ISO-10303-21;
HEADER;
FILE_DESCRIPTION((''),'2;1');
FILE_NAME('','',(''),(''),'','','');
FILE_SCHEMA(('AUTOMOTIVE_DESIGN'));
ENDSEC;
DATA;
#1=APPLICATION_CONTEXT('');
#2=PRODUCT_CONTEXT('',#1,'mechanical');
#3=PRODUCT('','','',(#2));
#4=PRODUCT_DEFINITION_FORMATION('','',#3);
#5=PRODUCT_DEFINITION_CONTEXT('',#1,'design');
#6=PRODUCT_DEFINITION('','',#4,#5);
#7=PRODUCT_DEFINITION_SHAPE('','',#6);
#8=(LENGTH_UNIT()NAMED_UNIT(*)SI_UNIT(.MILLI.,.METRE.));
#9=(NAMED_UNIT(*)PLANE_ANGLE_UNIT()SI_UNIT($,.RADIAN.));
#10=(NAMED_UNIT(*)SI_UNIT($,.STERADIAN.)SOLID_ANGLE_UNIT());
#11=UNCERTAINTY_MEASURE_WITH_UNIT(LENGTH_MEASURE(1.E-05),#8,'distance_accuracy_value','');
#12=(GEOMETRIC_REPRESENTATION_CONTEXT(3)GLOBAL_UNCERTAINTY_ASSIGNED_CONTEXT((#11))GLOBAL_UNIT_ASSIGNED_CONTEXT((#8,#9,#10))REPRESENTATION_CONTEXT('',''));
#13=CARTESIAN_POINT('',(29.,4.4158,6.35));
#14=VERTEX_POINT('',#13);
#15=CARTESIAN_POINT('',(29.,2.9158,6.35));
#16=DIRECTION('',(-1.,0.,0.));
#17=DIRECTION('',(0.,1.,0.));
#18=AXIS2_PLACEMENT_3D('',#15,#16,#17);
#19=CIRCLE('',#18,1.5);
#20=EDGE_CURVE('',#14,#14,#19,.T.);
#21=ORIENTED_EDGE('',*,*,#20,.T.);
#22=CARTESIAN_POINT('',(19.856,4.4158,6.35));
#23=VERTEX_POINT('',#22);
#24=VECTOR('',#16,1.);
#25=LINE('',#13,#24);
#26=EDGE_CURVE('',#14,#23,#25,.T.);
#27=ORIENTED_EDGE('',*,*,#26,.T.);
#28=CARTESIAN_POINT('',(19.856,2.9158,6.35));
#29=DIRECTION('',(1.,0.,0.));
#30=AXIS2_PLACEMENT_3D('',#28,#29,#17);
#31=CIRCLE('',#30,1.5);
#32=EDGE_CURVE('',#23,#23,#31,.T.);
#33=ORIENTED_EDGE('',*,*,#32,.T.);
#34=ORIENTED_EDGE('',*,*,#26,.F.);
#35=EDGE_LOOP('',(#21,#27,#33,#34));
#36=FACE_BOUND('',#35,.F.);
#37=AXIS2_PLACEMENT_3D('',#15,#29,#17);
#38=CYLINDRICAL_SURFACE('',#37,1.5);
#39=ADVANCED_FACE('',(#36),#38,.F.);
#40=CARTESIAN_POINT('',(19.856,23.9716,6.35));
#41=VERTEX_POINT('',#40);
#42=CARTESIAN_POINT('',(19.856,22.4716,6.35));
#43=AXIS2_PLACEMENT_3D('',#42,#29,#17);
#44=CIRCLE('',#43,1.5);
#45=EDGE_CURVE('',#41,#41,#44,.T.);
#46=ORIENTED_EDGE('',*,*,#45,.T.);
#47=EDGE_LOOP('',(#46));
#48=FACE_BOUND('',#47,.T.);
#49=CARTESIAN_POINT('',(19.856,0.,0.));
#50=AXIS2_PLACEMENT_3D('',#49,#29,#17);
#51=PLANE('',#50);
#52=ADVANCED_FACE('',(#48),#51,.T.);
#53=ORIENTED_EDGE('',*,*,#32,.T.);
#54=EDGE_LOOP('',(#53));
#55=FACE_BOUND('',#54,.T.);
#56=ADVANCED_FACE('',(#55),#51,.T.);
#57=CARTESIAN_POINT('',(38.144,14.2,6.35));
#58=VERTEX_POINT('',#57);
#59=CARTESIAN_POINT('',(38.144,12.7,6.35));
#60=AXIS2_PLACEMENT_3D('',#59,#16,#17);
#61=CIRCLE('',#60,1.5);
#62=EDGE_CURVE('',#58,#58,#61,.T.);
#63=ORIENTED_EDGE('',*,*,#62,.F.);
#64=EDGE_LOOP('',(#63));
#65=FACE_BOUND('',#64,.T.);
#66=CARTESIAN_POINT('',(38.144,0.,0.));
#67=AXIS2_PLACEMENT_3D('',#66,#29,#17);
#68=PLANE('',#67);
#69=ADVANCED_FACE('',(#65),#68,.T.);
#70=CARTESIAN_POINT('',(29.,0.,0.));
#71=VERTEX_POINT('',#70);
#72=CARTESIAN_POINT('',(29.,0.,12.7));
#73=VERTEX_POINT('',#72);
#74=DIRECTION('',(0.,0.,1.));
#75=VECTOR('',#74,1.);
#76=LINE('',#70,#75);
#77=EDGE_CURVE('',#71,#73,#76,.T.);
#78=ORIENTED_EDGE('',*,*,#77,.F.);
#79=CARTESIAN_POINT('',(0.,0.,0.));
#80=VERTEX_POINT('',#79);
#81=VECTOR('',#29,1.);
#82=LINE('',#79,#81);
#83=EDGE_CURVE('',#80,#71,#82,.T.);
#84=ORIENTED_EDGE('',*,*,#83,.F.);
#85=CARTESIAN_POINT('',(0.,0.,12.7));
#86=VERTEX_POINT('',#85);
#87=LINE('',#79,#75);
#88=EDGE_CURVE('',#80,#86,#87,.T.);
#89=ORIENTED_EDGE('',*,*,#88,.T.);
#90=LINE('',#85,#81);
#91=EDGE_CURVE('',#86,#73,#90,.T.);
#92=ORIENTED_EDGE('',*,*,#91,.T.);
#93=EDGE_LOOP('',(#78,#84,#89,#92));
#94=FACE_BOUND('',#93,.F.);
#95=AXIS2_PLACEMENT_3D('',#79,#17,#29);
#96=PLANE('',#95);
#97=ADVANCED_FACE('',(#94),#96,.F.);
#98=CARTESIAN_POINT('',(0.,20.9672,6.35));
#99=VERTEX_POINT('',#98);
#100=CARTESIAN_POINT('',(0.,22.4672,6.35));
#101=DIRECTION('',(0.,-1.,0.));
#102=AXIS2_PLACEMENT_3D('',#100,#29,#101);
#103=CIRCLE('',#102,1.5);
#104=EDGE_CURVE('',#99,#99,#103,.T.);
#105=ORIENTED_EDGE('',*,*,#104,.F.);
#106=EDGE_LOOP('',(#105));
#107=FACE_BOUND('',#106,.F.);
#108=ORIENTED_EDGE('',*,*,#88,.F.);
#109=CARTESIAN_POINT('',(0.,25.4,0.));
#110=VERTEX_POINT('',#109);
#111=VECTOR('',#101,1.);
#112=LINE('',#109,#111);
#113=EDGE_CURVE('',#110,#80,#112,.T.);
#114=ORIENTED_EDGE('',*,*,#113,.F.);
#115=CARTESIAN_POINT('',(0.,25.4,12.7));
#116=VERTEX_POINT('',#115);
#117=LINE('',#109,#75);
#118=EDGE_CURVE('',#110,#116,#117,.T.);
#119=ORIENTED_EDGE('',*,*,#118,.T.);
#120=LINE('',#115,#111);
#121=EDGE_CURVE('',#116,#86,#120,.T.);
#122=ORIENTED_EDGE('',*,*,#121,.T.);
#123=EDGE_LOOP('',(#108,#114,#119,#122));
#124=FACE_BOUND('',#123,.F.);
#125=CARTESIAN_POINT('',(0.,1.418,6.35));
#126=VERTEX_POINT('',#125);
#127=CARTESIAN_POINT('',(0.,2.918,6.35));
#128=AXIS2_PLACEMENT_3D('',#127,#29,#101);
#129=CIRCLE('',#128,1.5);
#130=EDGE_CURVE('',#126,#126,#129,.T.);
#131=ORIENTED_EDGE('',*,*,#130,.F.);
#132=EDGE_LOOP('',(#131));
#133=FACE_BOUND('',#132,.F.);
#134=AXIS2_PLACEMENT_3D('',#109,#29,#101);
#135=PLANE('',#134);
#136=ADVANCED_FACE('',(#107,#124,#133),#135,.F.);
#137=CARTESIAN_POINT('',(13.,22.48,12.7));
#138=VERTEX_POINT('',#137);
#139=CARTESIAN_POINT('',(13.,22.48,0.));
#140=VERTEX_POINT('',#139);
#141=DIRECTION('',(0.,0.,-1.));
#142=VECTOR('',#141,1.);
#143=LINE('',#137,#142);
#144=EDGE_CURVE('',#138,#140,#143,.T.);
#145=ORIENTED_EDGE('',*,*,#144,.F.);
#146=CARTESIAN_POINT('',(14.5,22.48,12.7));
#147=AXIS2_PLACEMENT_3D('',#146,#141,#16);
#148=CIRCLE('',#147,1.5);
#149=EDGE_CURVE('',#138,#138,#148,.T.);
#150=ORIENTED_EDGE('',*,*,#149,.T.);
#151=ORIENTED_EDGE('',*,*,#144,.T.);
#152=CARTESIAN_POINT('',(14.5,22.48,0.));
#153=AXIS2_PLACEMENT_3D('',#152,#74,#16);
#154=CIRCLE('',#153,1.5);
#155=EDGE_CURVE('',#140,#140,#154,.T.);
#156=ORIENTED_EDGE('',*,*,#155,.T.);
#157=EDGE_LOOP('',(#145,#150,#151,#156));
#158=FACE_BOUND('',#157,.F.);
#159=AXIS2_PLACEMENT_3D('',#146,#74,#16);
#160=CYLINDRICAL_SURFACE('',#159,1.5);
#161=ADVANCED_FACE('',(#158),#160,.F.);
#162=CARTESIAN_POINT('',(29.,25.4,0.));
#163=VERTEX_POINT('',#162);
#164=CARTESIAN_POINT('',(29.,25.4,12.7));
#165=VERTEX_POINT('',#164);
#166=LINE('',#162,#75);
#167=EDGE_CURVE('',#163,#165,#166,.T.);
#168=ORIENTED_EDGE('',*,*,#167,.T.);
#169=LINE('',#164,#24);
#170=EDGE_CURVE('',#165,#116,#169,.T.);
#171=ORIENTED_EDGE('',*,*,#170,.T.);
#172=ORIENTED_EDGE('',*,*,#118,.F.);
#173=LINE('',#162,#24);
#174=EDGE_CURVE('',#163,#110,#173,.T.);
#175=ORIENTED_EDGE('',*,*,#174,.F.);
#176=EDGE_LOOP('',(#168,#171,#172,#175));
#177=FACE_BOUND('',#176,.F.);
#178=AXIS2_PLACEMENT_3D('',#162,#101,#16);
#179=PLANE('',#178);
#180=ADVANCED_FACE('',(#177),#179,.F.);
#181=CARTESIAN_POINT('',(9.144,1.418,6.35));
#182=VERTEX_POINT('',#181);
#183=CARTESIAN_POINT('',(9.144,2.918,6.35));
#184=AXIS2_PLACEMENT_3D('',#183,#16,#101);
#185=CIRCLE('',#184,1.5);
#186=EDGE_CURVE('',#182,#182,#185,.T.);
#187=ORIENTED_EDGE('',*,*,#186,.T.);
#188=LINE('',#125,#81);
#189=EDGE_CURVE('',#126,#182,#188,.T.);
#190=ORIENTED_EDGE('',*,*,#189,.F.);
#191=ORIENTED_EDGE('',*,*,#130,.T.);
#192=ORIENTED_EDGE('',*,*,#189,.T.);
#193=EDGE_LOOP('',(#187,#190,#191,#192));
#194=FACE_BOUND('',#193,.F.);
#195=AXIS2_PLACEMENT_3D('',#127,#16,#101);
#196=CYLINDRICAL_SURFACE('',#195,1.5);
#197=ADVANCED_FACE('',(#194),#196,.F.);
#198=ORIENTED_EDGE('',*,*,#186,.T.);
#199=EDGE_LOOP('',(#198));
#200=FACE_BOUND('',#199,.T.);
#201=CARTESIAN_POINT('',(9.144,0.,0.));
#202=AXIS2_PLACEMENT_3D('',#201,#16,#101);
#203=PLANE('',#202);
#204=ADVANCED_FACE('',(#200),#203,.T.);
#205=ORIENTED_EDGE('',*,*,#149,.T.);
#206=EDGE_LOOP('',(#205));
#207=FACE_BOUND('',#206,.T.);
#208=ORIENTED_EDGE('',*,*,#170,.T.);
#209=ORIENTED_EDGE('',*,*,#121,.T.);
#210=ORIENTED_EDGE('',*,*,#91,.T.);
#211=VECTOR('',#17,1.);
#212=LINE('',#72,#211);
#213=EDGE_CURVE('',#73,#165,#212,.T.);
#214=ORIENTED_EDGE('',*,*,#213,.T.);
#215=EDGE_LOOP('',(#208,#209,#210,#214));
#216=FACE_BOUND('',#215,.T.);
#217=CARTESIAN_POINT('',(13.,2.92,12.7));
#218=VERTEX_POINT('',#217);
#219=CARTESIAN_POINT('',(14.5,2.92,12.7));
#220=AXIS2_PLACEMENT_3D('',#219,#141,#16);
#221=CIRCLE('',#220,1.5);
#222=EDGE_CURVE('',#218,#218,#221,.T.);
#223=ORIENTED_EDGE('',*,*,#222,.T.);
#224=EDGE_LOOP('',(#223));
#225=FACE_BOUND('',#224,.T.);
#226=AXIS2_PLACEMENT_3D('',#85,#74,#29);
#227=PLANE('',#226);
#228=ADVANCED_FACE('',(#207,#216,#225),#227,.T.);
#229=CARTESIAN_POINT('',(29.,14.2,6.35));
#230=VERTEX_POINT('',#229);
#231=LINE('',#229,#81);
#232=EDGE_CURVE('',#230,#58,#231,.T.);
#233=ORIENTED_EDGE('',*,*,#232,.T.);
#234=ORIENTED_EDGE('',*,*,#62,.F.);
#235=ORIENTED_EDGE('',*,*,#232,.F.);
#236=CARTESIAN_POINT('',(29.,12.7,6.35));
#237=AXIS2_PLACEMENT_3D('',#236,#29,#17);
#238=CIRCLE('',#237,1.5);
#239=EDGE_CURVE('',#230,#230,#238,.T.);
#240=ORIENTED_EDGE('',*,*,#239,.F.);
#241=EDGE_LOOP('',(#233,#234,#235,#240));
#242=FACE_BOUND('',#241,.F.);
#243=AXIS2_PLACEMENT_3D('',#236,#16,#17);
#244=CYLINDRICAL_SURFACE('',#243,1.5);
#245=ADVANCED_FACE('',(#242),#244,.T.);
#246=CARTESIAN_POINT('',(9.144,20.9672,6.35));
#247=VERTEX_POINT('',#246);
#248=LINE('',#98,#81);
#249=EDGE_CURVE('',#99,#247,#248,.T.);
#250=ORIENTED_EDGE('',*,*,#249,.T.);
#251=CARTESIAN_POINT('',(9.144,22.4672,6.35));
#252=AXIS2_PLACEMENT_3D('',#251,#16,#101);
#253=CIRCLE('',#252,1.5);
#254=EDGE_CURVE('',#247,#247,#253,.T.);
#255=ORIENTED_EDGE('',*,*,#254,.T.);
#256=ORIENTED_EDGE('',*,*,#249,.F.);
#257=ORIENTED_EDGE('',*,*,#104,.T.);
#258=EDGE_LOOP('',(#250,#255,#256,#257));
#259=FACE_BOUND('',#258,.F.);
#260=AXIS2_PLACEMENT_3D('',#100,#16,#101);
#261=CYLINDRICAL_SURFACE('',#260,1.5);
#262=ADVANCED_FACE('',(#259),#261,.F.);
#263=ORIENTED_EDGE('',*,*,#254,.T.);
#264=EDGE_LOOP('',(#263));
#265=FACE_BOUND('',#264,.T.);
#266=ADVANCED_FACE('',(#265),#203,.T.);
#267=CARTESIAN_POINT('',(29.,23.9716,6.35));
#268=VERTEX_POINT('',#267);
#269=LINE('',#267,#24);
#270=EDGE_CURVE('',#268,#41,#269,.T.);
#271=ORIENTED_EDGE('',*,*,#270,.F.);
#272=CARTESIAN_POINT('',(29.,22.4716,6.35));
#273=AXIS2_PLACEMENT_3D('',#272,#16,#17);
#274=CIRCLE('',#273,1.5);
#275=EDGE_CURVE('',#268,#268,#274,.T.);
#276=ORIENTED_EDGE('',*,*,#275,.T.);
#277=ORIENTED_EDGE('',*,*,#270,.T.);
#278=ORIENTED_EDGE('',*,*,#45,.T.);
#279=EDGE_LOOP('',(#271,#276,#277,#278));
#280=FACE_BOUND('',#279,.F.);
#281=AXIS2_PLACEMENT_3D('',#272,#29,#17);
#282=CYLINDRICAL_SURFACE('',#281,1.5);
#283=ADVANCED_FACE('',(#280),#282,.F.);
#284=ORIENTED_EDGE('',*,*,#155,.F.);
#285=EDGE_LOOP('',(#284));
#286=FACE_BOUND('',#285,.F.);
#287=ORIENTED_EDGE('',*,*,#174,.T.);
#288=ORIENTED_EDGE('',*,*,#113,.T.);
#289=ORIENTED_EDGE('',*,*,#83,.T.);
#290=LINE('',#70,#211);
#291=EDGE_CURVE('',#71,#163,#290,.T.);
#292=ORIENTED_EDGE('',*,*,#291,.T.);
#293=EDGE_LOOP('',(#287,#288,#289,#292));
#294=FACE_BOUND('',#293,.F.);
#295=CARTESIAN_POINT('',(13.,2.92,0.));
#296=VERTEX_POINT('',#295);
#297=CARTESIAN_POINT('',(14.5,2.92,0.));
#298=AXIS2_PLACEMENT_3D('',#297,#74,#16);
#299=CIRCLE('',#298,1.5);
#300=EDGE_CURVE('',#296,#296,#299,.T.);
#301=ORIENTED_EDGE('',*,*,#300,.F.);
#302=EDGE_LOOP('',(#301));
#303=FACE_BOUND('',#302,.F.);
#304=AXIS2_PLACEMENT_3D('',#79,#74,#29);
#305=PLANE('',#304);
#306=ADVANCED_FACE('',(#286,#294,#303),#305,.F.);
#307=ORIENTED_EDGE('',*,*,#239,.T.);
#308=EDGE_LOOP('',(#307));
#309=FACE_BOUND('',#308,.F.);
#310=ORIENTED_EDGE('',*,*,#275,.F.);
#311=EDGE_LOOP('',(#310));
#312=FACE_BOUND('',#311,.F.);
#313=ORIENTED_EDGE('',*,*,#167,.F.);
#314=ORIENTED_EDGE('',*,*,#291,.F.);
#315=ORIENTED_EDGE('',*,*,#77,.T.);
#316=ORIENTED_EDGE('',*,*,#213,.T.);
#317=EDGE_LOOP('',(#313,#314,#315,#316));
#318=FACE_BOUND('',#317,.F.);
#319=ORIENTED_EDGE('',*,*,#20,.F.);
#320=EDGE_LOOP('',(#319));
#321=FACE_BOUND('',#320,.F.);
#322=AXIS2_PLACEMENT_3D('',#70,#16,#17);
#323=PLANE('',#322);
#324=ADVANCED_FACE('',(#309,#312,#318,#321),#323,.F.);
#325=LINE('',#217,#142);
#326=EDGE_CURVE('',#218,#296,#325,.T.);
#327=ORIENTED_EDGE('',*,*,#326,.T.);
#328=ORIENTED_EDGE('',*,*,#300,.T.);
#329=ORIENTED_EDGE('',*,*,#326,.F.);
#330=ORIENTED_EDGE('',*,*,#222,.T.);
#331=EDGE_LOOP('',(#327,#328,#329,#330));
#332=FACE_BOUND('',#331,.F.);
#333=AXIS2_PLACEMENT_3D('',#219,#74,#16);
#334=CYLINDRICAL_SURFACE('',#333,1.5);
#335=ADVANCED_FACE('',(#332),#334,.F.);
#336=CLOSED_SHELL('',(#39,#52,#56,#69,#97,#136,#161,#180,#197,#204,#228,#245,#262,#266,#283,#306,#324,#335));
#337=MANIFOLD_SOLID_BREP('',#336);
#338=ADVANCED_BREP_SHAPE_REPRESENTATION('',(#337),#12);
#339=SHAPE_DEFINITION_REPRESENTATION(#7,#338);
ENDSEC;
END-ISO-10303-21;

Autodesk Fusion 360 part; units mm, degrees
sketch "スケッチ1" plane through (0, 0, 0) normal (0, 0, 1) x (1, 0, 0)
  line L0 (0, 0) -> (29, 0)
  line L1 (29, 0) -> (29, 25.4)
  line L2 (29, 25.4) -> (0, 25.4)
  line L3 (0, 25.4) -> (0, 0)
  dimension "d1" = 29
  dimension "d2" = 25.4
extrude "押し出し2" add sketch "スケッチ1" along normal blind 12.7 makes body 1
sketch "スケッチ2" plane through (0, 0, 12.7) normal (0, 0, 1) x (-1, 0, 0)
  line L0 (0, -25.4) -> (0, 0)
  line L1 (0, 0) -> (-29, 0)
  line L2 (-29, 0) -> (-29, -25.4)
  line L3 (-29, -25.4) -> (0, -25.4)
  line L4 (-29, -12.7) -> (0, -12.7)
  line L5 (-14.5, -12.7) -> (-14.5, -25.4)
  line L6 (-14.5, 0) -> (-14.5, -12.7)
  line L7 (-14.5, -12.7) -> (-14.5, -22.48)
  circle A0 centre (-14.5, -22.48) radius 1.5
  circle A1 centre (-14.5, -2.92) radius 1.5
  dimension "d10" = 9.78
  dimension "d11" = 3
sketch "スケッチ3" plane through (29, 0, 0) normal (1, 0, 0) x (0, 1, 0)
  line L0 (0, 0) -> (25.4, 0)
  line L1 (25.4, 0) -> (25.4, 12.7)
  line L2 (25.4, 12.7) -> (0, 12.7)
  line L3 (0, 12.7) -> (0, 0)
  line L4 (22.4716, 12.7) -> (22.4716, 0)
  line L5 (2.9158, 12.7) -> (2.9158, 0)
  line L6 (0, 6.35) -> (25.4, 6.35)
  circle A0 centre (2.9158, 6.35) radius 1.5
  circle A1 centre (22.4716, 6.35) radius 1.5
  line L7 (12.7, 12.7) -> (12.7, 0)
  circle A2 centre (12.7, 6.35) radius 1.5
  dimension "d12" = 3
  dimension "d13" = 3
  dimension "d14" = 3
sketch "スケッチ4" plane through (0, 0, 0) normal (-1, 0, 0) x (0, -1, 0)
  line L0 (-25.4, 0) -> (0, 0)
  line L1 (0, 0) -> (0, 12.7)
  line L2 (0, 12.7) -> (-25.4, 12.7)
  line L3 (-25.4, 12.7) -> (-25.4, 0)
  line L4 (-22.4672, 12.7) -> (-22.4672, 0)
  line L5 (-2.918, 12.7) -> (-2.918, 0)
  line L6 (-25.4, 6.35) -> (0, 6.35)
  circle A0 centre (-22.4672, 6.35) radius 1.5
  circle A1 centre (-2.918, 6.35) radius 1.5
  dimension "d15" = 3
  dimension "d16" = 3
extrude "押し出し3" cut sketch "スケッチ4" against normal blind 9.144 contours L5 L6 A1 | L5 L6 A1 | L5 L6 A1 | L5 L6 A1 bodies 1
extrude "押し出し4" cut sketch "スケッチ4" against normal blind 9.144 contours L4 L6 A0 | L4 L6 A0 | L4 L6 A0 | L4 L6 A0 bodies 1
extrude "押し出し5" cut sketch "スケッチ2" against normal up to surface (12.7 mm away) contours L6 A1 | L6 A1 bodies 1
extrude "押し出し6" cut sketch "スケッチ2" against normal up to surface (12.7 mm away) contours L5 L7 A0 | L5 L7 A0 bodies 1
extrude "押し出し7" cut sketch "スケッチ3" against normal blind 9.144 contours L5 L6 A0 | L5 L6 A0 | L5 L6 A0 | L5 L6 A0 bodies 1
extrude "押し出し8" cut sketch "スケッチ3" against normal blind 9.144 contours L4 L6 A1 | L4 L6 A1 | L4 L6 A1 | L4 L6 A1 bodies 1
extrude "押し出し9" add sketch "スケッチ3" along normal blind 9.144 contours L6 L7 A2 | L6 L7 A2 | L6 L7 A2 | L6 L7 A2 bodies 1
copy_body "ボディ -> コンポーネント1" bodies 1 removing the originals makes body 2 in component "モーターホルダー1"
extrude "押し出し1" [suppressed]
component "モーターホルダー1" placed x (1, 0, 0) y (0, 1, 0) z (0, 0, 1) at (0, 0, 0)
